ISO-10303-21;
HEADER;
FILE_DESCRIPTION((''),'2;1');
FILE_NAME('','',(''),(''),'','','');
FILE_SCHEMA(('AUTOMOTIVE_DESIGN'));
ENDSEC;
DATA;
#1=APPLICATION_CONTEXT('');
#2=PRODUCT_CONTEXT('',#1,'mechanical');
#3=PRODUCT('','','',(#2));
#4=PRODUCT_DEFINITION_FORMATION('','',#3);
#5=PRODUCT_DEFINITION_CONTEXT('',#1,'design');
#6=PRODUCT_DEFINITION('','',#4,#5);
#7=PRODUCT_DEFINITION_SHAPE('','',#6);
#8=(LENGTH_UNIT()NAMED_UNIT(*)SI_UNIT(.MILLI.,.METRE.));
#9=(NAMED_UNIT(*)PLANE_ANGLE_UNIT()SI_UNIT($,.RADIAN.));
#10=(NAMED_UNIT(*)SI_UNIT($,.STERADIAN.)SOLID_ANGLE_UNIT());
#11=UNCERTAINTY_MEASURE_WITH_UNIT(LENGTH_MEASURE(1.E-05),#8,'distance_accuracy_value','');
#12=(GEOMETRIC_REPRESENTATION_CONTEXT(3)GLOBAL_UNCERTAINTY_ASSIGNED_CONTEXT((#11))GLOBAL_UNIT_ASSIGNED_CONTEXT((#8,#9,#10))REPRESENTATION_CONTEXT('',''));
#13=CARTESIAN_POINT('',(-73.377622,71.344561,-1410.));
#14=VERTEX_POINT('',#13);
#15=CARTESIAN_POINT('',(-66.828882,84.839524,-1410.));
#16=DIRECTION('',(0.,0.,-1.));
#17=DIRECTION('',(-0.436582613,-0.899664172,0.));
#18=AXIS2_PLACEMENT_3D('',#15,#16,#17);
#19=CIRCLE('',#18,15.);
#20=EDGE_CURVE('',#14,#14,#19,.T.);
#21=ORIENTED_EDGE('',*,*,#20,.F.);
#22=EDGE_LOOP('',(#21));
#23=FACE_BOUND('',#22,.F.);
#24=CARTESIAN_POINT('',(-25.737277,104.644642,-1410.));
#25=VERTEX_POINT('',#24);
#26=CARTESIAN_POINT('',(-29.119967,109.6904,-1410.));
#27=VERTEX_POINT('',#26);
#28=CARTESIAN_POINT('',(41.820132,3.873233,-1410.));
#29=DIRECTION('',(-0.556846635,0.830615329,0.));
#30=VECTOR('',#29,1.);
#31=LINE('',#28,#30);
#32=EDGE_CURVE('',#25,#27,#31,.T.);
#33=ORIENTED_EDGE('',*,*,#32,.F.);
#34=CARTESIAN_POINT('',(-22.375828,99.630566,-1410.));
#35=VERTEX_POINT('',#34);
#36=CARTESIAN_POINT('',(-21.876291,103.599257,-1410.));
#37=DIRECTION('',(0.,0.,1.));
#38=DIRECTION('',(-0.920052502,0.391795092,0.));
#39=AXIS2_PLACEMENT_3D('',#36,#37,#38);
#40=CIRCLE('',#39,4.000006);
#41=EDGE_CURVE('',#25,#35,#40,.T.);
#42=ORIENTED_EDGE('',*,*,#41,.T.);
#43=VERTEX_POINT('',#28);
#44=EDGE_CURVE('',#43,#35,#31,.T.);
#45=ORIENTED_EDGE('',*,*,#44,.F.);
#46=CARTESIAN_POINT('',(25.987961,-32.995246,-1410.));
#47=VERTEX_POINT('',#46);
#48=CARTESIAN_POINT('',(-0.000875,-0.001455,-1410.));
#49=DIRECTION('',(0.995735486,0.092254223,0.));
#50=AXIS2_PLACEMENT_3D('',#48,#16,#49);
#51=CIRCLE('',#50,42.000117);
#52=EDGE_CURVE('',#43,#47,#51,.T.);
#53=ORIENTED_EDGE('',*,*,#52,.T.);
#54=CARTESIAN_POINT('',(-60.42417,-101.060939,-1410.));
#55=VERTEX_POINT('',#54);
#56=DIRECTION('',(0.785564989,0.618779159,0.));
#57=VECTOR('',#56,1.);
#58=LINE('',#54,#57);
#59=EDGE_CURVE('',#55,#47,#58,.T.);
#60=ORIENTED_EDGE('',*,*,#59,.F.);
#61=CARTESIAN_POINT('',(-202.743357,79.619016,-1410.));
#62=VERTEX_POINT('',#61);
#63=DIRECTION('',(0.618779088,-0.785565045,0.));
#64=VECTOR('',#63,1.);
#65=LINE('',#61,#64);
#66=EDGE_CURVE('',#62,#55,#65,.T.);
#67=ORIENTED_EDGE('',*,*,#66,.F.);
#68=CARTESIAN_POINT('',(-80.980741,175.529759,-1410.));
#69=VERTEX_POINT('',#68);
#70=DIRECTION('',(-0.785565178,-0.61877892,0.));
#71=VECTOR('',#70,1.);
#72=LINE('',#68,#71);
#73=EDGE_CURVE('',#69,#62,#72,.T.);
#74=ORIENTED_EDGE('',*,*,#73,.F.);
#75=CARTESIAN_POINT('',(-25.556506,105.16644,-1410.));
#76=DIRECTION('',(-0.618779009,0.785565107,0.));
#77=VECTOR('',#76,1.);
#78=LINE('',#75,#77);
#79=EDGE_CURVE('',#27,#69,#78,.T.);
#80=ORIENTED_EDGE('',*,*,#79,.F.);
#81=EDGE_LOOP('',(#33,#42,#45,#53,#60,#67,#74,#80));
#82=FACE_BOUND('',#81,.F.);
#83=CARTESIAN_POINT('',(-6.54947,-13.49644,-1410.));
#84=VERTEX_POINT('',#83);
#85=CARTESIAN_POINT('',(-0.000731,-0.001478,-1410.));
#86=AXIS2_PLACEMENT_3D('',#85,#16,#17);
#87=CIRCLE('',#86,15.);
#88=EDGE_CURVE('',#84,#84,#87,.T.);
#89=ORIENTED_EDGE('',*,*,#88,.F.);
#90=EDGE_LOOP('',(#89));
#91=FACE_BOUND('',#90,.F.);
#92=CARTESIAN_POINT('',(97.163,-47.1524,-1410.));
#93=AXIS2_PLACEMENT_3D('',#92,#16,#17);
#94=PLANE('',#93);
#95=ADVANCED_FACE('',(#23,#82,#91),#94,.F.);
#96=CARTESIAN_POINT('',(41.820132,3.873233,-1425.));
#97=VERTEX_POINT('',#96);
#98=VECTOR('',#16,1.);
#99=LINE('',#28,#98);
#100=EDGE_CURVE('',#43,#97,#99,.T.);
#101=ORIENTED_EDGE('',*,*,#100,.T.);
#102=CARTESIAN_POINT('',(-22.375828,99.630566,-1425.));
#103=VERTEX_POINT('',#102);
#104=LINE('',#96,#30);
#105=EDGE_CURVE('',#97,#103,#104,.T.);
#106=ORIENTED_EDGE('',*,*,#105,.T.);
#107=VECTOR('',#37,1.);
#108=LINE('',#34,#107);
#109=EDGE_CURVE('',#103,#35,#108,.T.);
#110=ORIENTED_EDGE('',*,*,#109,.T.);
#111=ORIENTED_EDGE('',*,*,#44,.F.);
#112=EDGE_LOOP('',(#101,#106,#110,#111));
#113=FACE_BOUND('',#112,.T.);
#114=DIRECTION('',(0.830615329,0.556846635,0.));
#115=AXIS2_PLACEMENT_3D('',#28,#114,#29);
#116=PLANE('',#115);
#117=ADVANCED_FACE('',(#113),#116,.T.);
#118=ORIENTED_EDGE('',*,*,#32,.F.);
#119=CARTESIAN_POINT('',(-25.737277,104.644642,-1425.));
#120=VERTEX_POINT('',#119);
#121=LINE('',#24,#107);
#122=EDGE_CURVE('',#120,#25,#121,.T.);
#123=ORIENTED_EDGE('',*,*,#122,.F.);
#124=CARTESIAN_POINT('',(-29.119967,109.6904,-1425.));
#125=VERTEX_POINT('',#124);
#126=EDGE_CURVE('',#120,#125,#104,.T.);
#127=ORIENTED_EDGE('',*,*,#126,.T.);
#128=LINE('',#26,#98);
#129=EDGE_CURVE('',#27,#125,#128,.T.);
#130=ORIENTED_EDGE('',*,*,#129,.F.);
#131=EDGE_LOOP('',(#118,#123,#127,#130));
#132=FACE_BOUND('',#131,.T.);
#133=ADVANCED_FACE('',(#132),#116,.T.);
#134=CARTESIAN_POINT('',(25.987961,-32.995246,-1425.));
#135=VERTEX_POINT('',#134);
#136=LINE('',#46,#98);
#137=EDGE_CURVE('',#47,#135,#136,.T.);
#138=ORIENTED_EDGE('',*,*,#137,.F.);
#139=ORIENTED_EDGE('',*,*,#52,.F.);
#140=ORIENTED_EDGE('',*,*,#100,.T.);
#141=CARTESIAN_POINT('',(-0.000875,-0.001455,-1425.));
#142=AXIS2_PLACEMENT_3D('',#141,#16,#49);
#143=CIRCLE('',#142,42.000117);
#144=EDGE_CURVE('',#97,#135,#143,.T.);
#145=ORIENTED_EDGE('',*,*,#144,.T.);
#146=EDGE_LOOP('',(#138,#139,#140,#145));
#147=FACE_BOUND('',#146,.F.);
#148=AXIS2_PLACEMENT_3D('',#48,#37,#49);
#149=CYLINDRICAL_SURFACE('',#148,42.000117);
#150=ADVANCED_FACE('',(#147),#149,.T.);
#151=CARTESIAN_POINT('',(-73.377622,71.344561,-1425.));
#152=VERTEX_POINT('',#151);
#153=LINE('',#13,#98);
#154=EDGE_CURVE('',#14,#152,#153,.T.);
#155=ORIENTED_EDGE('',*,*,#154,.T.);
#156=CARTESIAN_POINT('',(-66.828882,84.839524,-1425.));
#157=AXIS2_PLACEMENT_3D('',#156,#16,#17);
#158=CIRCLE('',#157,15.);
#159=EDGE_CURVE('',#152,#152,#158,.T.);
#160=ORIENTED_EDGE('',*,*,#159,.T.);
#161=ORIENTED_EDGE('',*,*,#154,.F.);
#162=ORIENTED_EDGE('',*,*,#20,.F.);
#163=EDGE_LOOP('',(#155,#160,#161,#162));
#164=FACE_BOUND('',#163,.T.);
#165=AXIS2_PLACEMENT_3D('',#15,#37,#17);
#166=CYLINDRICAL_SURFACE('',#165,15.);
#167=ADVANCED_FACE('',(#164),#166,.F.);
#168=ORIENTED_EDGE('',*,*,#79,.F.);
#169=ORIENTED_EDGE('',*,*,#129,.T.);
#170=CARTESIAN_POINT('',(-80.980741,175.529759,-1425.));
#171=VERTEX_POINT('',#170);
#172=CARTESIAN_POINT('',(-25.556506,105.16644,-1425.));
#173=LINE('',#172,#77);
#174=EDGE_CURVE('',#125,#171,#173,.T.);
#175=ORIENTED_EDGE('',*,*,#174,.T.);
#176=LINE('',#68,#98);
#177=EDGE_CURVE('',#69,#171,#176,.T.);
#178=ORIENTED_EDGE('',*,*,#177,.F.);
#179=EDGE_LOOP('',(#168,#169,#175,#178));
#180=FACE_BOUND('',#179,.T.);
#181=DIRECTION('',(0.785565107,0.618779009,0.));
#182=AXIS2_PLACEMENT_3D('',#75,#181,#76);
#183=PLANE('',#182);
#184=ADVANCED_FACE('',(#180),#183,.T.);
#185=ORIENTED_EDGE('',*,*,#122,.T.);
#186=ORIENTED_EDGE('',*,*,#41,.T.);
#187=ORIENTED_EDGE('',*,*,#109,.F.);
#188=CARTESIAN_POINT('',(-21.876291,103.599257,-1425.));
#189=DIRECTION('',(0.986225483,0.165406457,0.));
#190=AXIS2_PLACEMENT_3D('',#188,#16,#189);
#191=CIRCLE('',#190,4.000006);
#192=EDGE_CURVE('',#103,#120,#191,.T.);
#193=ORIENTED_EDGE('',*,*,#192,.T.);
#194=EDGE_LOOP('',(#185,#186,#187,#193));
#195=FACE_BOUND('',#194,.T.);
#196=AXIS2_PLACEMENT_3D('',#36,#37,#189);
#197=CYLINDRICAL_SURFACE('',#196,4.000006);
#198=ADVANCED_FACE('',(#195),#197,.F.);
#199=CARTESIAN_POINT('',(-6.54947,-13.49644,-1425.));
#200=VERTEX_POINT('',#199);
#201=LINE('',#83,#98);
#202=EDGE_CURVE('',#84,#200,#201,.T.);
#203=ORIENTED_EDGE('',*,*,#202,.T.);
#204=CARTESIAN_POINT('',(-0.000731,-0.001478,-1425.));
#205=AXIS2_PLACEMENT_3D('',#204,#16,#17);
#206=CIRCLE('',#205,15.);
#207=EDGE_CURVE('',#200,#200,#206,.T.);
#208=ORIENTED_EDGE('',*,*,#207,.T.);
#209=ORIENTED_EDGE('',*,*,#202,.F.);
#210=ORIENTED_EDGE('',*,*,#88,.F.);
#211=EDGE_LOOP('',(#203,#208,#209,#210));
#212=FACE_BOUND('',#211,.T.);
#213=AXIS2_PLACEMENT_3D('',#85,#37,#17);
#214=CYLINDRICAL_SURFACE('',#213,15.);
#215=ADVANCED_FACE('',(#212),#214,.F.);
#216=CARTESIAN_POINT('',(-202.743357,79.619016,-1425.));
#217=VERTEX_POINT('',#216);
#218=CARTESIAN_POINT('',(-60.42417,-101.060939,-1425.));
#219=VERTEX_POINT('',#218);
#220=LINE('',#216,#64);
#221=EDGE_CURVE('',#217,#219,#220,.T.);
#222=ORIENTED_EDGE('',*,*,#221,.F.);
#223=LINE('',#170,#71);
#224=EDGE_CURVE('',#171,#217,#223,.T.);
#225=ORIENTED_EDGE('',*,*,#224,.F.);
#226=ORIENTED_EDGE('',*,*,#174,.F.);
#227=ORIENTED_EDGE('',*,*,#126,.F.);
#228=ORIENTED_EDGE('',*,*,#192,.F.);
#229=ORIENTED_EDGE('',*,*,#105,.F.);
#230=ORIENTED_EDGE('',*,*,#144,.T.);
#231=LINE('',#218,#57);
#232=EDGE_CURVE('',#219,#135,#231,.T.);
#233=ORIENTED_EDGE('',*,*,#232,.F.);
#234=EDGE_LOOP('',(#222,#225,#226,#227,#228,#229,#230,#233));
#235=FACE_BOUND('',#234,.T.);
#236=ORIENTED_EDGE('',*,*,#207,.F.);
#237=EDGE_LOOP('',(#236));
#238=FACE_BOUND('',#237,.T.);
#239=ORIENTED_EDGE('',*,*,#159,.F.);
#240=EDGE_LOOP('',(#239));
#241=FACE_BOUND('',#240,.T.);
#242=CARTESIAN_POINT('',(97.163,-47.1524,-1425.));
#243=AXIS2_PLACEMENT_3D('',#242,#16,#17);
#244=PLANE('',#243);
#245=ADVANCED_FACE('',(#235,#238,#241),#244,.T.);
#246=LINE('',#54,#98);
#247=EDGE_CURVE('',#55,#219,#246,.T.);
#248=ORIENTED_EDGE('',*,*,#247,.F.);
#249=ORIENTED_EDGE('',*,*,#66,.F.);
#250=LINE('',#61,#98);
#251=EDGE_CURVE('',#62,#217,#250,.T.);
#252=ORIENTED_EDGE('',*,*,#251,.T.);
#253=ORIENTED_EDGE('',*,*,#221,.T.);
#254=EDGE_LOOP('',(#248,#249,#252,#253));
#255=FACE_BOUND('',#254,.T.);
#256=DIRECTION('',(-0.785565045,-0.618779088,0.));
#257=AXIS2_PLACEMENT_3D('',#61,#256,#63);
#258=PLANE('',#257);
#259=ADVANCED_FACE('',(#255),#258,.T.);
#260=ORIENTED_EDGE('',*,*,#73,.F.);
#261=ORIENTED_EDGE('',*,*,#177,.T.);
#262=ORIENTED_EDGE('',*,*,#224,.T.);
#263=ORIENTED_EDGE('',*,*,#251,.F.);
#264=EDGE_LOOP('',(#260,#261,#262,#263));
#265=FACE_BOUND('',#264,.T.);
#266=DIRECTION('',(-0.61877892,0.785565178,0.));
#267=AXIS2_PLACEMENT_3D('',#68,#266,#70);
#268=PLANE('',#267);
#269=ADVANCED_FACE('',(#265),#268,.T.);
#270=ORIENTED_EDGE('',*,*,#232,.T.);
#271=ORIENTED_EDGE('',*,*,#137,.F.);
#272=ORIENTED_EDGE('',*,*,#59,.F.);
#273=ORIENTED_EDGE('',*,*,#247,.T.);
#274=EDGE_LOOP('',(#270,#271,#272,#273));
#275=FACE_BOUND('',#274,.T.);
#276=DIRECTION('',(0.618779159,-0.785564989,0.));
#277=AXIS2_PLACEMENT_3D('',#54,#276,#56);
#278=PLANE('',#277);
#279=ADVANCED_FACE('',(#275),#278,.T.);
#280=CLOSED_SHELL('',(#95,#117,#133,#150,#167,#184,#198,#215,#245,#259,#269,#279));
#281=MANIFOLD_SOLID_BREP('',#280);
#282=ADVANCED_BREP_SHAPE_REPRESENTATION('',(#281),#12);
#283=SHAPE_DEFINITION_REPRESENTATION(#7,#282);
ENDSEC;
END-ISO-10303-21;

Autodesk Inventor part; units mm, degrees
ref_plane "YZ Plane" through (0, 0, 0) normal (1, 0, 0) x (0, 1, 0)
ref_plane "XZ Plane" through (0, 0, 0) normal (0, 1, 0) x (-1, 0, 0)
ref_plane "XY Plane" through (0, 0, 0) normal (0, 0, 1) x (1, 0, 0)
ref_plane "Work Plane1" through (97.163, -47.1524, -1410) normal (0, 0, -1) x (-0.4366, -0.8997, 0)
sketch "Sketch1" plane through (97.163, -47.1524, -1410) normal (0, 0, -1) x (-0.4366, -0.8997, 0)
  circle A0 centre (0, 108) radius 15 projected
  circle A1 centre (-47.1524, 205.163) radius 13.2 projected
  line L0 (-83.4586, 176.9061) -> (-122.5647, 257.4887) projected
  line L1 (-122.5647, 257.4887) -> (16.8822, 325.1612) projected
  line L2 (16.8822, 325.1612) -> (117.2994, 118.24) projected
  line L3 (117.2994, 118.24) -> (18.3371, 70.2144) projected
  arc A2 (-21.7442, 72.0669) -> (18.3371, 70.2144) centre (0, 108) ccw projected
  line L4 (-21.7442, 72.0669) -> (-138.1767, 72.0669) projected
  line L5 (-138.1767, 72.0669) -> (-166.5555, 130.5446) projected
  line L6 (-166.5555, 130.5446) -> (-85.9729, 169.6507) projected
  circle A3 centre (-47.1524, 205.163) radius 15 projected
  circle A4 centre (0, 108) radius 15 projected
  line L7 (-21.7442, 72.0669) -> (-81.0881, 172.0213)
  arc A5 (-85.9729, 169.6507) -> (-83.4586, 176.9061) centre (-83.6554, 172.911) ccw projected
  point P0 (0, 108)
extrude "Extrusion2" add sketch "Sketch1" along normal blind 15 contours L0 L1 L2 L3 A2 L7 A5 | L7 L4 L5 L6 A5
sketch "Sketch2" plane through (97.163, -47.1524, -1410) normal (0, 0, 1) x (0.8997, -0.4366, 0)
  line L0 (-72.0669, 138.1767) -> (-72.0669, 21.7442) projected
  line L1 (-176.9061, 83.4586) -> (-257.4887, 122.5647) projected
  line L2 (-72.0669, 21.7442) -> (-182.0871, 85.9729)
  line L3 (-182.0871, 85.9729) -> (-128.9808, 176.941)
  line L4 (-128.9808, 176.941) -> (-18.9606, 112.7123)
  line L5 (-18.9606, 112.7123) -> (-72.0669, 21.7442)
  point P0 (-108, 0)
extrude "Extrusion3" cut sketch "Sketch2" against normal blind 15
equation "\"BendRadius\" = Thickness"
equation "\"BendReliefWidth\" = Thickness"
equation "\"BendReliefDepth\" = 0.5 * Thickness"
equation "\"CornerReliefSize\" = 4 * Thickness"
equation "\"MinimumRemnant\" = 2 * Thickness"
equation "\"TransitionRadius\" = BendRadius"
equation "\"JacobiRadiusSize\" = BendRadius"
equation "\"GapSize\" = Thickness"
equation "\"Thickness\" = 0.5"
properties part number "X-gan_holder"
